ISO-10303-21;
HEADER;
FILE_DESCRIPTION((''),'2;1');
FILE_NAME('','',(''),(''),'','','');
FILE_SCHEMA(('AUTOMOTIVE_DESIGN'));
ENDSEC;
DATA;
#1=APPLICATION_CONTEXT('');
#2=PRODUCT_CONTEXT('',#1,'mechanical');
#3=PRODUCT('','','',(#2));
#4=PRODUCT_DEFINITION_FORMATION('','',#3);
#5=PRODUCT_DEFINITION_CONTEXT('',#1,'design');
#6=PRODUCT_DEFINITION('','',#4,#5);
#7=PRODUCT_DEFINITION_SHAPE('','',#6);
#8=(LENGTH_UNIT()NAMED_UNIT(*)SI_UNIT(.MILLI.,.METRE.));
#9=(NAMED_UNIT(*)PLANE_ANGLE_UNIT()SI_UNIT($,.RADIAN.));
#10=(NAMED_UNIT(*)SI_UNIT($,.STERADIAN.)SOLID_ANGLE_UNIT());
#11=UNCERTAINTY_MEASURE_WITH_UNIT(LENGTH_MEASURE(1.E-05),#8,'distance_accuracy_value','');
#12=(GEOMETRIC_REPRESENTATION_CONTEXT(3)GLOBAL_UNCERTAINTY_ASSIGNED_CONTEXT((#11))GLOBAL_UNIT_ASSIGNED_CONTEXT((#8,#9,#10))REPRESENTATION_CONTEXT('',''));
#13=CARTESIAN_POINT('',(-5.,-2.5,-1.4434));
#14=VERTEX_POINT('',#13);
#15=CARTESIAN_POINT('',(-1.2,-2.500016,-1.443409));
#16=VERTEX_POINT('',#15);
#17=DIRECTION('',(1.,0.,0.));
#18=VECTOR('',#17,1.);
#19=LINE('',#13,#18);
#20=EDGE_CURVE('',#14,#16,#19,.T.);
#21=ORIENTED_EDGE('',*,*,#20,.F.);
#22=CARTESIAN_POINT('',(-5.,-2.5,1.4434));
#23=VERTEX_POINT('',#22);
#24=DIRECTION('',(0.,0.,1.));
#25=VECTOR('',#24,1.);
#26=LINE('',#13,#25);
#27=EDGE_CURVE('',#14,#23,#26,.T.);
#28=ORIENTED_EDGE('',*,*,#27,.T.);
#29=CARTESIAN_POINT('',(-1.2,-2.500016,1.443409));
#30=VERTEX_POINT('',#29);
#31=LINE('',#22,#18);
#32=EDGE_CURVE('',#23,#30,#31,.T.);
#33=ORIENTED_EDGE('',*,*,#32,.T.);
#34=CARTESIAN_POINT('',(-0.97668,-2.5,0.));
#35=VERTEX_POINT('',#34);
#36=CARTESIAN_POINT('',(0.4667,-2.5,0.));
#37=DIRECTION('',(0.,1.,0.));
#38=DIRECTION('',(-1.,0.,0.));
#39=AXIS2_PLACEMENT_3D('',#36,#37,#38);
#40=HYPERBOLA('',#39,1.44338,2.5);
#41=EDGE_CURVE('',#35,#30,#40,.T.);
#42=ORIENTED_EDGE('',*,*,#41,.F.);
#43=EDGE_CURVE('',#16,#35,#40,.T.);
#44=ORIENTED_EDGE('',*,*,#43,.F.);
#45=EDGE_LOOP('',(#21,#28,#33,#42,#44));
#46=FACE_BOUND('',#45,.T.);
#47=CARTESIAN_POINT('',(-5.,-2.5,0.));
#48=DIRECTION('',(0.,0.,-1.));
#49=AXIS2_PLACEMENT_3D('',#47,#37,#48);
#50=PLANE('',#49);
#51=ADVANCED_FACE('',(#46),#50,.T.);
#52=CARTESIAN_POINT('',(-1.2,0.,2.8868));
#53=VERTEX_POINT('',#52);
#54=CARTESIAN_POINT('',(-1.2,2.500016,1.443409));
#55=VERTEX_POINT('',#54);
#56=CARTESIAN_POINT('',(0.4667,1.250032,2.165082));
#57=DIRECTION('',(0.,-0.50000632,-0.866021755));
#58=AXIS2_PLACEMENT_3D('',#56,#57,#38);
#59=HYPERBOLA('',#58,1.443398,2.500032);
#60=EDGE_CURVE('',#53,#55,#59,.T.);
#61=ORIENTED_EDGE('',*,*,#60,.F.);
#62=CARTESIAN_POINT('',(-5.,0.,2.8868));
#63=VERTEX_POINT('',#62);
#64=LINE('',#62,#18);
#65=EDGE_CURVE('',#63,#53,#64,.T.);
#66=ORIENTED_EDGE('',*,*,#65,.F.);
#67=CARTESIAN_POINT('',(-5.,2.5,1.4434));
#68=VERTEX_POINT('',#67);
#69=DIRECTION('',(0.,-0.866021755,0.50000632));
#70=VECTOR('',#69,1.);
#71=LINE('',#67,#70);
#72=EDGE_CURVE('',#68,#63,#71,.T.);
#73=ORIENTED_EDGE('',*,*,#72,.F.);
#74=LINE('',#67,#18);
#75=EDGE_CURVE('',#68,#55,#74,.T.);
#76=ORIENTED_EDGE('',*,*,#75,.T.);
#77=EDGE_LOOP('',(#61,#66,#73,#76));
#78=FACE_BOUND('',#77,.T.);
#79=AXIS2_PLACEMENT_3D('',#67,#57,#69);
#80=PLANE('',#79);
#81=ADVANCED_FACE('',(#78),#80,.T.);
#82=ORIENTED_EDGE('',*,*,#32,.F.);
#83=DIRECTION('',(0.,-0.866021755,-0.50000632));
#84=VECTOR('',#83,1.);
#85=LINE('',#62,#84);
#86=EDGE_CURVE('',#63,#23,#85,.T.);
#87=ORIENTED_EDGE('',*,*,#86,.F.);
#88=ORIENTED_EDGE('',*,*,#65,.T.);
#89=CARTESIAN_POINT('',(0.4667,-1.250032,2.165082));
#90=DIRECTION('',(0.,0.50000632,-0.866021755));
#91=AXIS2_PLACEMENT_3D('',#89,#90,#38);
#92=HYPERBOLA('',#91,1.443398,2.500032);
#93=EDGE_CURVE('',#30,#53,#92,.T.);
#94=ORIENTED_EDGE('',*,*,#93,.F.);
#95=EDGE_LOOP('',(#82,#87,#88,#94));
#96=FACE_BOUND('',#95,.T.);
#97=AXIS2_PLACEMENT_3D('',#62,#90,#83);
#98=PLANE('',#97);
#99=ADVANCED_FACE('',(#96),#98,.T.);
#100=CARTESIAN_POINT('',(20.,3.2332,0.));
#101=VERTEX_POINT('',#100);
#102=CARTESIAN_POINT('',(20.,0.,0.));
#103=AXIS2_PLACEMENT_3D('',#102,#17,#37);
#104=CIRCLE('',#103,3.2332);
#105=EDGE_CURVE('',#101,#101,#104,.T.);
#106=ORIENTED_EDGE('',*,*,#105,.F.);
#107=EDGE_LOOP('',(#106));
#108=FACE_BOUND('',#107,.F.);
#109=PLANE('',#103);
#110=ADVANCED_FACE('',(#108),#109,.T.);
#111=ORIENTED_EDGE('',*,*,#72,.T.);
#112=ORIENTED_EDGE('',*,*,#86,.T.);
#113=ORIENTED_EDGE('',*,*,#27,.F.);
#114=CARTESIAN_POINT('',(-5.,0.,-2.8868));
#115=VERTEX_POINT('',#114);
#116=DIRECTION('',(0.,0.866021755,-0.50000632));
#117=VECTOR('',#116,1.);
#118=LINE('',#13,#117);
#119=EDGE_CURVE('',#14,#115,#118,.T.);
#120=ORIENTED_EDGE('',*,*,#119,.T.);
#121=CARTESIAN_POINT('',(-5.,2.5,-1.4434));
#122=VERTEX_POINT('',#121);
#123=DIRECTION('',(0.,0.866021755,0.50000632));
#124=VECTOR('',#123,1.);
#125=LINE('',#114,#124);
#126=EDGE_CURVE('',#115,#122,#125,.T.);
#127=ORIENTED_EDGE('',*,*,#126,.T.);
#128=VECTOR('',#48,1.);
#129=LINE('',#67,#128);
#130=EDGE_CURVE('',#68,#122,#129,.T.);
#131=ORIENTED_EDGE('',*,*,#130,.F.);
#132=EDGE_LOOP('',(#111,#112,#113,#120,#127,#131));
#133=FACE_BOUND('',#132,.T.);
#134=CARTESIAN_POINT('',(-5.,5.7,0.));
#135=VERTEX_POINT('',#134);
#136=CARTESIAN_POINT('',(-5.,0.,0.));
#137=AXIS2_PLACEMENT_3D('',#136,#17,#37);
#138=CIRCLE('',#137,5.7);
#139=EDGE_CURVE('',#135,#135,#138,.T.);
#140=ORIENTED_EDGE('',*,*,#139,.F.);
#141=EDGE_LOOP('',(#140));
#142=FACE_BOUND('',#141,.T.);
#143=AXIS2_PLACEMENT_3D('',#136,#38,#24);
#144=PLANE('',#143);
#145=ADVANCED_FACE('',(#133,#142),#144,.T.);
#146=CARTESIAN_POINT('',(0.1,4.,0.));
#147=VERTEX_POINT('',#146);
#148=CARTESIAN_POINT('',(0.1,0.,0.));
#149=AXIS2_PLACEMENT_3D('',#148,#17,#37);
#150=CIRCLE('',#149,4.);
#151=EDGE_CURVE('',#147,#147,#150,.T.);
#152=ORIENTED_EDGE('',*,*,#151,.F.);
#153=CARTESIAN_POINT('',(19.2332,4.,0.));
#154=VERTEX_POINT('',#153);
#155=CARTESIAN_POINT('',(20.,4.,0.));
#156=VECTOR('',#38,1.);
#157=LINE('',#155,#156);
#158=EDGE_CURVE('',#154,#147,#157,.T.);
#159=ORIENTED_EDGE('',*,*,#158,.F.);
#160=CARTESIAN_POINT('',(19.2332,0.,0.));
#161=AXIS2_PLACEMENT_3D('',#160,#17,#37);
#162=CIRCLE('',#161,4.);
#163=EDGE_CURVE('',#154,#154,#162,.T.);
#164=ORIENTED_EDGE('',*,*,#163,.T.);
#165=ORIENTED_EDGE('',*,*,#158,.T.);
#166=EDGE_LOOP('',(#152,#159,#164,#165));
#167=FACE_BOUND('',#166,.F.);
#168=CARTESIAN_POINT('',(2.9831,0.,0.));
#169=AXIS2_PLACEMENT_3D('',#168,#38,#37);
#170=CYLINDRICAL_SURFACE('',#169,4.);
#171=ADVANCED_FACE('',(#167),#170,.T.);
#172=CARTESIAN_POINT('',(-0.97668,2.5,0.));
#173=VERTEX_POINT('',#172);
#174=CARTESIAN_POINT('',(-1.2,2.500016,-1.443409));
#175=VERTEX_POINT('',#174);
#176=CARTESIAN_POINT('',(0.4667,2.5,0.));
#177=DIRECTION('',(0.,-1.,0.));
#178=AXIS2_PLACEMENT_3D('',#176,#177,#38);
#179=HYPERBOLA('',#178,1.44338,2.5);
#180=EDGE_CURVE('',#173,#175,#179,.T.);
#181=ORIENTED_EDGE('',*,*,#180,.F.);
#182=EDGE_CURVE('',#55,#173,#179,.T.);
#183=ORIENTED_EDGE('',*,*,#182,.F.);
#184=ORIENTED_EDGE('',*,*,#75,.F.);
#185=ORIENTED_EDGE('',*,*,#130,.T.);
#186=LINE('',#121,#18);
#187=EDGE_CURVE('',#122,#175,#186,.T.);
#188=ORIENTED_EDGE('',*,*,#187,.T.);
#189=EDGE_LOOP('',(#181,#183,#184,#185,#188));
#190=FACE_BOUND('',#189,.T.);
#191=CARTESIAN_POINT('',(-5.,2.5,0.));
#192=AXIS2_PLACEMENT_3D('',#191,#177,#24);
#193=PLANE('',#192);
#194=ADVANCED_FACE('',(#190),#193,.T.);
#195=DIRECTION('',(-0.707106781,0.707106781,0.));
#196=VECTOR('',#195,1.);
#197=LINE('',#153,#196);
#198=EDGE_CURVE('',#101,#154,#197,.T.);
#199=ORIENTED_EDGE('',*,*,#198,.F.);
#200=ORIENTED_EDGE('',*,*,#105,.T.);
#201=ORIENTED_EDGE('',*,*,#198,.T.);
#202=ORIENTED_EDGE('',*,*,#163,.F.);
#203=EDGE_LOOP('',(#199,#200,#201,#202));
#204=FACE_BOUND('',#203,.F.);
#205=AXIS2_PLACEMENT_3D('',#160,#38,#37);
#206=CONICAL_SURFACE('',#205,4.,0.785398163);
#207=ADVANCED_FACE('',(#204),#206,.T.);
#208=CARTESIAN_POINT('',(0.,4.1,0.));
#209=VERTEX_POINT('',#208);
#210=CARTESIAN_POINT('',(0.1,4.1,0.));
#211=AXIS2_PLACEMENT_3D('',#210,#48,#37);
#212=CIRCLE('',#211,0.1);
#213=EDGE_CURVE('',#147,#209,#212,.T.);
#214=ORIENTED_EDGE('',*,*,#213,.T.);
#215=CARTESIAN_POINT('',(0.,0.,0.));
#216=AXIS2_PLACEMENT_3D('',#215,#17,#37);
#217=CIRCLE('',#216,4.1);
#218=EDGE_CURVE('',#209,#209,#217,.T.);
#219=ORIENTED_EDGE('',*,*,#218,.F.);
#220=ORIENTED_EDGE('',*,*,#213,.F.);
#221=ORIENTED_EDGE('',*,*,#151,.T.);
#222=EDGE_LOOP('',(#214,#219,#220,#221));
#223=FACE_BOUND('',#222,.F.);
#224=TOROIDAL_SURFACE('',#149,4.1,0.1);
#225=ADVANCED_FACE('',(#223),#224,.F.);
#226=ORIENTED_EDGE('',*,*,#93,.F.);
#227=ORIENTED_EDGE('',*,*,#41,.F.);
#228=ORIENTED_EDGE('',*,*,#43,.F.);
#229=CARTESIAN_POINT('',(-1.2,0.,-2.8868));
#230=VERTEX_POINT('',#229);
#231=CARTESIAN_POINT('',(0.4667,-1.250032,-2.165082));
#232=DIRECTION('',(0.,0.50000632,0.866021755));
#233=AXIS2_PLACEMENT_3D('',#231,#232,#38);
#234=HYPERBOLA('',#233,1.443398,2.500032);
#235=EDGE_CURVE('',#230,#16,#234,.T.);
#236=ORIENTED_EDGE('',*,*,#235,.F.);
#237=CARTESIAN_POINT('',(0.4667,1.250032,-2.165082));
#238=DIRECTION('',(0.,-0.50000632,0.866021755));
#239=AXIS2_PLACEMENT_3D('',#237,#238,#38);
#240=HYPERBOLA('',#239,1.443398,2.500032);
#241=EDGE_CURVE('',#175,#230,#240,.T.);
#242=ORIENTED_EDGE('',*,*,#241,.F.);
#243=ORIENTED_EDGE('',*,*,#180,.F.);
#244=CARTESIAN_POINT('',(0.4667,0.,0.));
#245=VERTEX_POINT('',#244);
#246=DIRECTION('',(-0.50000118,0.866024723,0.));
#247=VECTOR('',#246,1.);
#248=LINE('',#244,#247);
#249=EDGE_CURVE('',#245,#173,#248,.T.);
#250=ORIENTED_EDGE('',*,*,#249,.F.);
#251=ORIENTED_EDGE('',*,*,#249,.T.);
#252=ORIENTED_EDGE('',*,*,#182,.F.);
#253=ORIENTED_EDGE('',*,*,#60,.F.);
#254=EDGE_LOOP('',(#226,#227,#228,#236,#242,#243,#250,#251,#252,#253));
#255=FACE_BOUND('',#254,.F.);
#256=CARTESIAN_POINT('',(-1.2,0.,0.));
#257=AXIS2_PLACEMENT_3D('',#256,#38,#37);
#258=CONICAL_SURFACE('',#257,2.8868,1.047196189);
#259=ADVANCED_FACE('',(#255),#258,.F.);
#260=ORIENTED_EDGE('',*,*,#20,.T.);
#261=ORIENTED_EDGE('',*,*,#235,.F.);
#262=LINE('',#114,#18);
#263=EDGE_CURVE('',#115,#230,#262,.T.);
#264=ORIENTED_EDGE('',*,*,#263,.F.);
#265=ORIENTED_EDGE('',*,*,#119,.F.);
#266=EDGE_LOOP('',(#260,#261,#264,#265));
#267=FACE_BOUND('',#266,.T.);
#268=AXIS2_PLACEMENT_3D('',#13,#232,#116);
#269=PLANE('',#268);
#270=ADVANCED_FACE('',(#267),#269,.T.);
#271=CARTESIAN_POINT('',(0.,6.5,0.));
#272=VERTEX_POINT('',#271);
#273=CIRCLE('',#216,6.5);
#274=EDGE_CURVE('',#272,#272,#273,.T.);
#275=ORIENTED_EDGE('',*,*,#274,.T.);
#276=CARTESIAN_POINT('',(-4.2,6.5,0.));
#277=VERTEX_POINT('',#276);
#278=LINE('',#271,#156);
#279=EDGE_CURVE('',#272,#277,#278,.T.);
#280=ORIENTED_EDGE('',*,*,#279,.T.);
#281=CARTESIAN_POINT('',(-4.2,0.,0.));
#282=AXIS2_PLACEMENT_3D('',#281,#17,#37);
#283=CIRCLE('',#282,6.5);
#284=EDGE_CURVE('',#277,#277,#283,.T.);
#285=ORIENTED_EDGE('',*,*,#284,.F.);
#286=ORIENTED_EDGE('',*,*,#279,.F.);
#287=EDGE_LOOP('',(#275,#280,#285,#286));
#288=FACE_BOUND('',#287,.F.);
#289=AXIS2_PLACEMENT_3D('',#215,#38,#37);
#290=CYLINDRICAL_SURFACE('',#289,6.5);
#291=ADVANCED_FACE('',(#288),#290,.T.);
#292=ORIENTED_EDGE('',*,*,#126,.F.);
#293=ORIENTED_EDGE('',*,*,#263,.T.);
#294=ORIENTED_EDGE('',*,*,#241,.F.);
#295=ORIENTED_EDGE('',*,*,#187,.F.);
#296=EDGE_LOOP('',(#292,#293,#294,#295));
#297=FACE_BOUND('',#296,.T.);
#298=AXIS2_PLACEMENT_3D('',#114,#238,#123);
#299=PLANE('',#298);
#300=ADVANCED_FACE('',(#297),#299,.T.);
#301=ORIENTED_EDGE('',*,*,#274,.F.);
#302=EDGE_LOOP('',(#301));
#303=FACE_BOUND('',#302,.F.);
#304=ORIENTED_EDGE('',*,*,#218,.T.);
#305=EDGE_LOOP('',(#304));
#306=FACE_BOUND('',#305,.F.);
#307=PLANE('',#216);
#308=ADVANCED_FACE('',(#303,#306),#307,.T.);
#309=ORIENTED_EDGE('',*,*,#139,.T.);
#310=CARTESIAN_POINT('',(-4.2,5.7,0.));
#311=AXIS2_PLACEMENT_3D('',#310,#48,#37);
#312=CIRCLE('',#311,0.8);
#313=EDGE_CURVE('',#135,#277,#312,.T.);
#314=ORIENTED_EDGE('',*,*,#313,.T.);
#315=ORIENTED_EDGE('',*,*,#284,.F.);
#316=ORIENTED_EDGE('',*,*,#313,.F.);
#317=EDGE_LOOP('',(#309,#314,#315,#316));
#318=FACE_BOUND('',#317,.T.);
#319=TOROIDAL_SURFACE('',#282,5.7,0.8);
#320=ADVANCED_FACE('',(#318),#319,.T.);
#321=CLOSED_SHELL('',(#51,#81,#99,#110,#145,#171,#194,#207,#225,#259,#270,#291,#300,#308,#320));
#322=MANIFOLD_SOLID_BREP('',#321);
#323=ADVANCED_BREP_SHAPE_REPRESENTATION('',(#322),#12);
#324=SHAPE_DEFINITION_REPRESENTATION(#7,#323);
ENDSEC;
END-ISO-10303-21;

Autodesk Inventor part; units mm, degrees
ref_plane "YZ Plane" through (0, 0, 0) normal (1, 0, 0) x (0, 1, 0)
ref_plane "XZ Plane" through (0, 0, 0) normal (0, 1, 0) x (-1, 0, 0)
sketch "Sketch1" plane through (0, 0, 0) normal (0, 0, 1) x (1, 0, 0)
  line L0 (0.4667, 0) -> (20, 0)
  line L1 (20, 0) -> (20, 4)
  line L2 (20, 4) -> (3.75, 4)
  line L3 (3.75, 4) -> (2.9831, 4)
  line L4 (2.9831, 4) -> (0, 4)
  line L5 (0, 4) -> (0, 6.5)
  line L6 (0, 6.5) -> (-5, 6.5)
  line L7 (-5, 6.5) -> (-5, 2.8868)
  line L8 (-5, 2.8868) -> (-1.2, 2.8868)
  line L9 (-1.2, 2.8868) -> (0.4667, 0)
  line L10 (-10, 0) -> (25, 0) projected
  line L11 (0, -1.3) -> (0, 7.8) projected
  line L12 (3.75, 4) -> (0, 4) construction
  dimension "d1" = 16.25
  dimension "d2" = 0.7669
  dimension "d3" = 5
  dimension "d4" = 3.8
  dimension "d5" = 60
  dimension "d6" = 8
  dimension "d7" = 8
  dimension "d8" = 5.7735
  dimension "d9" = 13
  dimension "d26" = 20
revolve "Body" add sketch "Sketch1" angle 360 about axis through (0.4667, 0, 0) along (1, 0, 0) contours L9 L11 L4 L3 L2 L1 L0 | L9 L8 L7 L6 L5 L11
sketch "Sketch2" plane through (-5, 0, 0) normal (-1, 0, 0) x (0, 0, 1)
  circle A0 centre (0, 0) radius 2.8868 projected
  line L0 (0, -9.1) -> (0, 9.1) projected
  line L1 (-9.1, 0) -> (9.1, 0) projected
  line L2 (2.8868, 0) -> (1.4434, -2.5)
  line L3 (1.4434, -2.5) -> (-1.4434, -2.5)
  line L4 (-1.4434, -2.5) -> (-2.8868, 0)
  line L5 (-2.8868, 0) -> (-1.4434, 2.5)
  line L6 (-1.4434, 2.5) -> (1.4434, 2.5)
  line L7 (1.4434, 2.5) -> (2.8868, 0)
extrude "Slot" add sketch "Sketch2" against normal up to next contours L7 A0 | A0 L2 | L6 L0 A0 | A0 L0 L3 | L0 L6 A0 | A0 L3 L0 | L4 A0 | A0 L5
fillet "Fillet1" radius 0.8 1 edges at (-5, -6.5, 0)
thread "Thread" size "M8x1.25" class "6g" standard "ISO Metric profile" length 16.25
chamfer "Chamfer1" distance 0.7668 distance2 0.7668 1 edges at (20, -4, 0) measured on face at (20, -0.0467, 2.2623)
ref_plane "Work Plane1" through (29, 0, 0) normal (0, -1, 0) x (1, 0, 0)
fillet "Fillet2" radius 0.1 1 edges at (0, -4, 0)
equation "\"d1\" = GEL"
equation "\"d3\" = KOH"
equation "\"d4\" = INTI"
equation "\"d6\" = GD"
equation "\"d7\" = BDM"
equation "\"d8\" = 1.1547 * SW"
equation "\"d9\" = KOD"
equation "\"d26\" = NLG"
equation "\"d30\" = R"
equation "\"d17\" = RR"
equation "\"d13\" = GEL"
equation "\"d15\" = -0.5 * SPD + 0.5 * GD"
equation "\"d16\" = GUL"
equation "\"GD\" = NND"
equation "\"NLG\" = 20"
equation "\"GEL\" = 16.25"
equation "\"KOD\" = 13"
equation "\"KOH\" = 5"
equation "\"INTI\" = 3.8"
equation "\"GAL\" = 0.61345 * PTC"
equation "\"GUL\" = 0.61345 * PTC"
equation "\"BDM\" = NND"
equation "\"SW\" = 5"
equation "\"RR\" = 0.8"
equation "\"SPD\" = NND - 1.2269 * PTC"
equation "\"R\" = 0.1"
equation "\"TOA\" = 30deg"
equation "\"GD1\" = THREADDIA - 1.2269 * PTC"
equation "\"THREADDIA\" = 8"
equation "\"FAWI\" = 45deg"
equation "\"ANG\" = 120deg"
equation "\"PTC\" = 1.25"
equation "\"NND\" = 8"
equation "\"E0\" = 1.155 * SW"
properties part number "DIN 7984 - M8 x 20" material "Steel, Mild"
